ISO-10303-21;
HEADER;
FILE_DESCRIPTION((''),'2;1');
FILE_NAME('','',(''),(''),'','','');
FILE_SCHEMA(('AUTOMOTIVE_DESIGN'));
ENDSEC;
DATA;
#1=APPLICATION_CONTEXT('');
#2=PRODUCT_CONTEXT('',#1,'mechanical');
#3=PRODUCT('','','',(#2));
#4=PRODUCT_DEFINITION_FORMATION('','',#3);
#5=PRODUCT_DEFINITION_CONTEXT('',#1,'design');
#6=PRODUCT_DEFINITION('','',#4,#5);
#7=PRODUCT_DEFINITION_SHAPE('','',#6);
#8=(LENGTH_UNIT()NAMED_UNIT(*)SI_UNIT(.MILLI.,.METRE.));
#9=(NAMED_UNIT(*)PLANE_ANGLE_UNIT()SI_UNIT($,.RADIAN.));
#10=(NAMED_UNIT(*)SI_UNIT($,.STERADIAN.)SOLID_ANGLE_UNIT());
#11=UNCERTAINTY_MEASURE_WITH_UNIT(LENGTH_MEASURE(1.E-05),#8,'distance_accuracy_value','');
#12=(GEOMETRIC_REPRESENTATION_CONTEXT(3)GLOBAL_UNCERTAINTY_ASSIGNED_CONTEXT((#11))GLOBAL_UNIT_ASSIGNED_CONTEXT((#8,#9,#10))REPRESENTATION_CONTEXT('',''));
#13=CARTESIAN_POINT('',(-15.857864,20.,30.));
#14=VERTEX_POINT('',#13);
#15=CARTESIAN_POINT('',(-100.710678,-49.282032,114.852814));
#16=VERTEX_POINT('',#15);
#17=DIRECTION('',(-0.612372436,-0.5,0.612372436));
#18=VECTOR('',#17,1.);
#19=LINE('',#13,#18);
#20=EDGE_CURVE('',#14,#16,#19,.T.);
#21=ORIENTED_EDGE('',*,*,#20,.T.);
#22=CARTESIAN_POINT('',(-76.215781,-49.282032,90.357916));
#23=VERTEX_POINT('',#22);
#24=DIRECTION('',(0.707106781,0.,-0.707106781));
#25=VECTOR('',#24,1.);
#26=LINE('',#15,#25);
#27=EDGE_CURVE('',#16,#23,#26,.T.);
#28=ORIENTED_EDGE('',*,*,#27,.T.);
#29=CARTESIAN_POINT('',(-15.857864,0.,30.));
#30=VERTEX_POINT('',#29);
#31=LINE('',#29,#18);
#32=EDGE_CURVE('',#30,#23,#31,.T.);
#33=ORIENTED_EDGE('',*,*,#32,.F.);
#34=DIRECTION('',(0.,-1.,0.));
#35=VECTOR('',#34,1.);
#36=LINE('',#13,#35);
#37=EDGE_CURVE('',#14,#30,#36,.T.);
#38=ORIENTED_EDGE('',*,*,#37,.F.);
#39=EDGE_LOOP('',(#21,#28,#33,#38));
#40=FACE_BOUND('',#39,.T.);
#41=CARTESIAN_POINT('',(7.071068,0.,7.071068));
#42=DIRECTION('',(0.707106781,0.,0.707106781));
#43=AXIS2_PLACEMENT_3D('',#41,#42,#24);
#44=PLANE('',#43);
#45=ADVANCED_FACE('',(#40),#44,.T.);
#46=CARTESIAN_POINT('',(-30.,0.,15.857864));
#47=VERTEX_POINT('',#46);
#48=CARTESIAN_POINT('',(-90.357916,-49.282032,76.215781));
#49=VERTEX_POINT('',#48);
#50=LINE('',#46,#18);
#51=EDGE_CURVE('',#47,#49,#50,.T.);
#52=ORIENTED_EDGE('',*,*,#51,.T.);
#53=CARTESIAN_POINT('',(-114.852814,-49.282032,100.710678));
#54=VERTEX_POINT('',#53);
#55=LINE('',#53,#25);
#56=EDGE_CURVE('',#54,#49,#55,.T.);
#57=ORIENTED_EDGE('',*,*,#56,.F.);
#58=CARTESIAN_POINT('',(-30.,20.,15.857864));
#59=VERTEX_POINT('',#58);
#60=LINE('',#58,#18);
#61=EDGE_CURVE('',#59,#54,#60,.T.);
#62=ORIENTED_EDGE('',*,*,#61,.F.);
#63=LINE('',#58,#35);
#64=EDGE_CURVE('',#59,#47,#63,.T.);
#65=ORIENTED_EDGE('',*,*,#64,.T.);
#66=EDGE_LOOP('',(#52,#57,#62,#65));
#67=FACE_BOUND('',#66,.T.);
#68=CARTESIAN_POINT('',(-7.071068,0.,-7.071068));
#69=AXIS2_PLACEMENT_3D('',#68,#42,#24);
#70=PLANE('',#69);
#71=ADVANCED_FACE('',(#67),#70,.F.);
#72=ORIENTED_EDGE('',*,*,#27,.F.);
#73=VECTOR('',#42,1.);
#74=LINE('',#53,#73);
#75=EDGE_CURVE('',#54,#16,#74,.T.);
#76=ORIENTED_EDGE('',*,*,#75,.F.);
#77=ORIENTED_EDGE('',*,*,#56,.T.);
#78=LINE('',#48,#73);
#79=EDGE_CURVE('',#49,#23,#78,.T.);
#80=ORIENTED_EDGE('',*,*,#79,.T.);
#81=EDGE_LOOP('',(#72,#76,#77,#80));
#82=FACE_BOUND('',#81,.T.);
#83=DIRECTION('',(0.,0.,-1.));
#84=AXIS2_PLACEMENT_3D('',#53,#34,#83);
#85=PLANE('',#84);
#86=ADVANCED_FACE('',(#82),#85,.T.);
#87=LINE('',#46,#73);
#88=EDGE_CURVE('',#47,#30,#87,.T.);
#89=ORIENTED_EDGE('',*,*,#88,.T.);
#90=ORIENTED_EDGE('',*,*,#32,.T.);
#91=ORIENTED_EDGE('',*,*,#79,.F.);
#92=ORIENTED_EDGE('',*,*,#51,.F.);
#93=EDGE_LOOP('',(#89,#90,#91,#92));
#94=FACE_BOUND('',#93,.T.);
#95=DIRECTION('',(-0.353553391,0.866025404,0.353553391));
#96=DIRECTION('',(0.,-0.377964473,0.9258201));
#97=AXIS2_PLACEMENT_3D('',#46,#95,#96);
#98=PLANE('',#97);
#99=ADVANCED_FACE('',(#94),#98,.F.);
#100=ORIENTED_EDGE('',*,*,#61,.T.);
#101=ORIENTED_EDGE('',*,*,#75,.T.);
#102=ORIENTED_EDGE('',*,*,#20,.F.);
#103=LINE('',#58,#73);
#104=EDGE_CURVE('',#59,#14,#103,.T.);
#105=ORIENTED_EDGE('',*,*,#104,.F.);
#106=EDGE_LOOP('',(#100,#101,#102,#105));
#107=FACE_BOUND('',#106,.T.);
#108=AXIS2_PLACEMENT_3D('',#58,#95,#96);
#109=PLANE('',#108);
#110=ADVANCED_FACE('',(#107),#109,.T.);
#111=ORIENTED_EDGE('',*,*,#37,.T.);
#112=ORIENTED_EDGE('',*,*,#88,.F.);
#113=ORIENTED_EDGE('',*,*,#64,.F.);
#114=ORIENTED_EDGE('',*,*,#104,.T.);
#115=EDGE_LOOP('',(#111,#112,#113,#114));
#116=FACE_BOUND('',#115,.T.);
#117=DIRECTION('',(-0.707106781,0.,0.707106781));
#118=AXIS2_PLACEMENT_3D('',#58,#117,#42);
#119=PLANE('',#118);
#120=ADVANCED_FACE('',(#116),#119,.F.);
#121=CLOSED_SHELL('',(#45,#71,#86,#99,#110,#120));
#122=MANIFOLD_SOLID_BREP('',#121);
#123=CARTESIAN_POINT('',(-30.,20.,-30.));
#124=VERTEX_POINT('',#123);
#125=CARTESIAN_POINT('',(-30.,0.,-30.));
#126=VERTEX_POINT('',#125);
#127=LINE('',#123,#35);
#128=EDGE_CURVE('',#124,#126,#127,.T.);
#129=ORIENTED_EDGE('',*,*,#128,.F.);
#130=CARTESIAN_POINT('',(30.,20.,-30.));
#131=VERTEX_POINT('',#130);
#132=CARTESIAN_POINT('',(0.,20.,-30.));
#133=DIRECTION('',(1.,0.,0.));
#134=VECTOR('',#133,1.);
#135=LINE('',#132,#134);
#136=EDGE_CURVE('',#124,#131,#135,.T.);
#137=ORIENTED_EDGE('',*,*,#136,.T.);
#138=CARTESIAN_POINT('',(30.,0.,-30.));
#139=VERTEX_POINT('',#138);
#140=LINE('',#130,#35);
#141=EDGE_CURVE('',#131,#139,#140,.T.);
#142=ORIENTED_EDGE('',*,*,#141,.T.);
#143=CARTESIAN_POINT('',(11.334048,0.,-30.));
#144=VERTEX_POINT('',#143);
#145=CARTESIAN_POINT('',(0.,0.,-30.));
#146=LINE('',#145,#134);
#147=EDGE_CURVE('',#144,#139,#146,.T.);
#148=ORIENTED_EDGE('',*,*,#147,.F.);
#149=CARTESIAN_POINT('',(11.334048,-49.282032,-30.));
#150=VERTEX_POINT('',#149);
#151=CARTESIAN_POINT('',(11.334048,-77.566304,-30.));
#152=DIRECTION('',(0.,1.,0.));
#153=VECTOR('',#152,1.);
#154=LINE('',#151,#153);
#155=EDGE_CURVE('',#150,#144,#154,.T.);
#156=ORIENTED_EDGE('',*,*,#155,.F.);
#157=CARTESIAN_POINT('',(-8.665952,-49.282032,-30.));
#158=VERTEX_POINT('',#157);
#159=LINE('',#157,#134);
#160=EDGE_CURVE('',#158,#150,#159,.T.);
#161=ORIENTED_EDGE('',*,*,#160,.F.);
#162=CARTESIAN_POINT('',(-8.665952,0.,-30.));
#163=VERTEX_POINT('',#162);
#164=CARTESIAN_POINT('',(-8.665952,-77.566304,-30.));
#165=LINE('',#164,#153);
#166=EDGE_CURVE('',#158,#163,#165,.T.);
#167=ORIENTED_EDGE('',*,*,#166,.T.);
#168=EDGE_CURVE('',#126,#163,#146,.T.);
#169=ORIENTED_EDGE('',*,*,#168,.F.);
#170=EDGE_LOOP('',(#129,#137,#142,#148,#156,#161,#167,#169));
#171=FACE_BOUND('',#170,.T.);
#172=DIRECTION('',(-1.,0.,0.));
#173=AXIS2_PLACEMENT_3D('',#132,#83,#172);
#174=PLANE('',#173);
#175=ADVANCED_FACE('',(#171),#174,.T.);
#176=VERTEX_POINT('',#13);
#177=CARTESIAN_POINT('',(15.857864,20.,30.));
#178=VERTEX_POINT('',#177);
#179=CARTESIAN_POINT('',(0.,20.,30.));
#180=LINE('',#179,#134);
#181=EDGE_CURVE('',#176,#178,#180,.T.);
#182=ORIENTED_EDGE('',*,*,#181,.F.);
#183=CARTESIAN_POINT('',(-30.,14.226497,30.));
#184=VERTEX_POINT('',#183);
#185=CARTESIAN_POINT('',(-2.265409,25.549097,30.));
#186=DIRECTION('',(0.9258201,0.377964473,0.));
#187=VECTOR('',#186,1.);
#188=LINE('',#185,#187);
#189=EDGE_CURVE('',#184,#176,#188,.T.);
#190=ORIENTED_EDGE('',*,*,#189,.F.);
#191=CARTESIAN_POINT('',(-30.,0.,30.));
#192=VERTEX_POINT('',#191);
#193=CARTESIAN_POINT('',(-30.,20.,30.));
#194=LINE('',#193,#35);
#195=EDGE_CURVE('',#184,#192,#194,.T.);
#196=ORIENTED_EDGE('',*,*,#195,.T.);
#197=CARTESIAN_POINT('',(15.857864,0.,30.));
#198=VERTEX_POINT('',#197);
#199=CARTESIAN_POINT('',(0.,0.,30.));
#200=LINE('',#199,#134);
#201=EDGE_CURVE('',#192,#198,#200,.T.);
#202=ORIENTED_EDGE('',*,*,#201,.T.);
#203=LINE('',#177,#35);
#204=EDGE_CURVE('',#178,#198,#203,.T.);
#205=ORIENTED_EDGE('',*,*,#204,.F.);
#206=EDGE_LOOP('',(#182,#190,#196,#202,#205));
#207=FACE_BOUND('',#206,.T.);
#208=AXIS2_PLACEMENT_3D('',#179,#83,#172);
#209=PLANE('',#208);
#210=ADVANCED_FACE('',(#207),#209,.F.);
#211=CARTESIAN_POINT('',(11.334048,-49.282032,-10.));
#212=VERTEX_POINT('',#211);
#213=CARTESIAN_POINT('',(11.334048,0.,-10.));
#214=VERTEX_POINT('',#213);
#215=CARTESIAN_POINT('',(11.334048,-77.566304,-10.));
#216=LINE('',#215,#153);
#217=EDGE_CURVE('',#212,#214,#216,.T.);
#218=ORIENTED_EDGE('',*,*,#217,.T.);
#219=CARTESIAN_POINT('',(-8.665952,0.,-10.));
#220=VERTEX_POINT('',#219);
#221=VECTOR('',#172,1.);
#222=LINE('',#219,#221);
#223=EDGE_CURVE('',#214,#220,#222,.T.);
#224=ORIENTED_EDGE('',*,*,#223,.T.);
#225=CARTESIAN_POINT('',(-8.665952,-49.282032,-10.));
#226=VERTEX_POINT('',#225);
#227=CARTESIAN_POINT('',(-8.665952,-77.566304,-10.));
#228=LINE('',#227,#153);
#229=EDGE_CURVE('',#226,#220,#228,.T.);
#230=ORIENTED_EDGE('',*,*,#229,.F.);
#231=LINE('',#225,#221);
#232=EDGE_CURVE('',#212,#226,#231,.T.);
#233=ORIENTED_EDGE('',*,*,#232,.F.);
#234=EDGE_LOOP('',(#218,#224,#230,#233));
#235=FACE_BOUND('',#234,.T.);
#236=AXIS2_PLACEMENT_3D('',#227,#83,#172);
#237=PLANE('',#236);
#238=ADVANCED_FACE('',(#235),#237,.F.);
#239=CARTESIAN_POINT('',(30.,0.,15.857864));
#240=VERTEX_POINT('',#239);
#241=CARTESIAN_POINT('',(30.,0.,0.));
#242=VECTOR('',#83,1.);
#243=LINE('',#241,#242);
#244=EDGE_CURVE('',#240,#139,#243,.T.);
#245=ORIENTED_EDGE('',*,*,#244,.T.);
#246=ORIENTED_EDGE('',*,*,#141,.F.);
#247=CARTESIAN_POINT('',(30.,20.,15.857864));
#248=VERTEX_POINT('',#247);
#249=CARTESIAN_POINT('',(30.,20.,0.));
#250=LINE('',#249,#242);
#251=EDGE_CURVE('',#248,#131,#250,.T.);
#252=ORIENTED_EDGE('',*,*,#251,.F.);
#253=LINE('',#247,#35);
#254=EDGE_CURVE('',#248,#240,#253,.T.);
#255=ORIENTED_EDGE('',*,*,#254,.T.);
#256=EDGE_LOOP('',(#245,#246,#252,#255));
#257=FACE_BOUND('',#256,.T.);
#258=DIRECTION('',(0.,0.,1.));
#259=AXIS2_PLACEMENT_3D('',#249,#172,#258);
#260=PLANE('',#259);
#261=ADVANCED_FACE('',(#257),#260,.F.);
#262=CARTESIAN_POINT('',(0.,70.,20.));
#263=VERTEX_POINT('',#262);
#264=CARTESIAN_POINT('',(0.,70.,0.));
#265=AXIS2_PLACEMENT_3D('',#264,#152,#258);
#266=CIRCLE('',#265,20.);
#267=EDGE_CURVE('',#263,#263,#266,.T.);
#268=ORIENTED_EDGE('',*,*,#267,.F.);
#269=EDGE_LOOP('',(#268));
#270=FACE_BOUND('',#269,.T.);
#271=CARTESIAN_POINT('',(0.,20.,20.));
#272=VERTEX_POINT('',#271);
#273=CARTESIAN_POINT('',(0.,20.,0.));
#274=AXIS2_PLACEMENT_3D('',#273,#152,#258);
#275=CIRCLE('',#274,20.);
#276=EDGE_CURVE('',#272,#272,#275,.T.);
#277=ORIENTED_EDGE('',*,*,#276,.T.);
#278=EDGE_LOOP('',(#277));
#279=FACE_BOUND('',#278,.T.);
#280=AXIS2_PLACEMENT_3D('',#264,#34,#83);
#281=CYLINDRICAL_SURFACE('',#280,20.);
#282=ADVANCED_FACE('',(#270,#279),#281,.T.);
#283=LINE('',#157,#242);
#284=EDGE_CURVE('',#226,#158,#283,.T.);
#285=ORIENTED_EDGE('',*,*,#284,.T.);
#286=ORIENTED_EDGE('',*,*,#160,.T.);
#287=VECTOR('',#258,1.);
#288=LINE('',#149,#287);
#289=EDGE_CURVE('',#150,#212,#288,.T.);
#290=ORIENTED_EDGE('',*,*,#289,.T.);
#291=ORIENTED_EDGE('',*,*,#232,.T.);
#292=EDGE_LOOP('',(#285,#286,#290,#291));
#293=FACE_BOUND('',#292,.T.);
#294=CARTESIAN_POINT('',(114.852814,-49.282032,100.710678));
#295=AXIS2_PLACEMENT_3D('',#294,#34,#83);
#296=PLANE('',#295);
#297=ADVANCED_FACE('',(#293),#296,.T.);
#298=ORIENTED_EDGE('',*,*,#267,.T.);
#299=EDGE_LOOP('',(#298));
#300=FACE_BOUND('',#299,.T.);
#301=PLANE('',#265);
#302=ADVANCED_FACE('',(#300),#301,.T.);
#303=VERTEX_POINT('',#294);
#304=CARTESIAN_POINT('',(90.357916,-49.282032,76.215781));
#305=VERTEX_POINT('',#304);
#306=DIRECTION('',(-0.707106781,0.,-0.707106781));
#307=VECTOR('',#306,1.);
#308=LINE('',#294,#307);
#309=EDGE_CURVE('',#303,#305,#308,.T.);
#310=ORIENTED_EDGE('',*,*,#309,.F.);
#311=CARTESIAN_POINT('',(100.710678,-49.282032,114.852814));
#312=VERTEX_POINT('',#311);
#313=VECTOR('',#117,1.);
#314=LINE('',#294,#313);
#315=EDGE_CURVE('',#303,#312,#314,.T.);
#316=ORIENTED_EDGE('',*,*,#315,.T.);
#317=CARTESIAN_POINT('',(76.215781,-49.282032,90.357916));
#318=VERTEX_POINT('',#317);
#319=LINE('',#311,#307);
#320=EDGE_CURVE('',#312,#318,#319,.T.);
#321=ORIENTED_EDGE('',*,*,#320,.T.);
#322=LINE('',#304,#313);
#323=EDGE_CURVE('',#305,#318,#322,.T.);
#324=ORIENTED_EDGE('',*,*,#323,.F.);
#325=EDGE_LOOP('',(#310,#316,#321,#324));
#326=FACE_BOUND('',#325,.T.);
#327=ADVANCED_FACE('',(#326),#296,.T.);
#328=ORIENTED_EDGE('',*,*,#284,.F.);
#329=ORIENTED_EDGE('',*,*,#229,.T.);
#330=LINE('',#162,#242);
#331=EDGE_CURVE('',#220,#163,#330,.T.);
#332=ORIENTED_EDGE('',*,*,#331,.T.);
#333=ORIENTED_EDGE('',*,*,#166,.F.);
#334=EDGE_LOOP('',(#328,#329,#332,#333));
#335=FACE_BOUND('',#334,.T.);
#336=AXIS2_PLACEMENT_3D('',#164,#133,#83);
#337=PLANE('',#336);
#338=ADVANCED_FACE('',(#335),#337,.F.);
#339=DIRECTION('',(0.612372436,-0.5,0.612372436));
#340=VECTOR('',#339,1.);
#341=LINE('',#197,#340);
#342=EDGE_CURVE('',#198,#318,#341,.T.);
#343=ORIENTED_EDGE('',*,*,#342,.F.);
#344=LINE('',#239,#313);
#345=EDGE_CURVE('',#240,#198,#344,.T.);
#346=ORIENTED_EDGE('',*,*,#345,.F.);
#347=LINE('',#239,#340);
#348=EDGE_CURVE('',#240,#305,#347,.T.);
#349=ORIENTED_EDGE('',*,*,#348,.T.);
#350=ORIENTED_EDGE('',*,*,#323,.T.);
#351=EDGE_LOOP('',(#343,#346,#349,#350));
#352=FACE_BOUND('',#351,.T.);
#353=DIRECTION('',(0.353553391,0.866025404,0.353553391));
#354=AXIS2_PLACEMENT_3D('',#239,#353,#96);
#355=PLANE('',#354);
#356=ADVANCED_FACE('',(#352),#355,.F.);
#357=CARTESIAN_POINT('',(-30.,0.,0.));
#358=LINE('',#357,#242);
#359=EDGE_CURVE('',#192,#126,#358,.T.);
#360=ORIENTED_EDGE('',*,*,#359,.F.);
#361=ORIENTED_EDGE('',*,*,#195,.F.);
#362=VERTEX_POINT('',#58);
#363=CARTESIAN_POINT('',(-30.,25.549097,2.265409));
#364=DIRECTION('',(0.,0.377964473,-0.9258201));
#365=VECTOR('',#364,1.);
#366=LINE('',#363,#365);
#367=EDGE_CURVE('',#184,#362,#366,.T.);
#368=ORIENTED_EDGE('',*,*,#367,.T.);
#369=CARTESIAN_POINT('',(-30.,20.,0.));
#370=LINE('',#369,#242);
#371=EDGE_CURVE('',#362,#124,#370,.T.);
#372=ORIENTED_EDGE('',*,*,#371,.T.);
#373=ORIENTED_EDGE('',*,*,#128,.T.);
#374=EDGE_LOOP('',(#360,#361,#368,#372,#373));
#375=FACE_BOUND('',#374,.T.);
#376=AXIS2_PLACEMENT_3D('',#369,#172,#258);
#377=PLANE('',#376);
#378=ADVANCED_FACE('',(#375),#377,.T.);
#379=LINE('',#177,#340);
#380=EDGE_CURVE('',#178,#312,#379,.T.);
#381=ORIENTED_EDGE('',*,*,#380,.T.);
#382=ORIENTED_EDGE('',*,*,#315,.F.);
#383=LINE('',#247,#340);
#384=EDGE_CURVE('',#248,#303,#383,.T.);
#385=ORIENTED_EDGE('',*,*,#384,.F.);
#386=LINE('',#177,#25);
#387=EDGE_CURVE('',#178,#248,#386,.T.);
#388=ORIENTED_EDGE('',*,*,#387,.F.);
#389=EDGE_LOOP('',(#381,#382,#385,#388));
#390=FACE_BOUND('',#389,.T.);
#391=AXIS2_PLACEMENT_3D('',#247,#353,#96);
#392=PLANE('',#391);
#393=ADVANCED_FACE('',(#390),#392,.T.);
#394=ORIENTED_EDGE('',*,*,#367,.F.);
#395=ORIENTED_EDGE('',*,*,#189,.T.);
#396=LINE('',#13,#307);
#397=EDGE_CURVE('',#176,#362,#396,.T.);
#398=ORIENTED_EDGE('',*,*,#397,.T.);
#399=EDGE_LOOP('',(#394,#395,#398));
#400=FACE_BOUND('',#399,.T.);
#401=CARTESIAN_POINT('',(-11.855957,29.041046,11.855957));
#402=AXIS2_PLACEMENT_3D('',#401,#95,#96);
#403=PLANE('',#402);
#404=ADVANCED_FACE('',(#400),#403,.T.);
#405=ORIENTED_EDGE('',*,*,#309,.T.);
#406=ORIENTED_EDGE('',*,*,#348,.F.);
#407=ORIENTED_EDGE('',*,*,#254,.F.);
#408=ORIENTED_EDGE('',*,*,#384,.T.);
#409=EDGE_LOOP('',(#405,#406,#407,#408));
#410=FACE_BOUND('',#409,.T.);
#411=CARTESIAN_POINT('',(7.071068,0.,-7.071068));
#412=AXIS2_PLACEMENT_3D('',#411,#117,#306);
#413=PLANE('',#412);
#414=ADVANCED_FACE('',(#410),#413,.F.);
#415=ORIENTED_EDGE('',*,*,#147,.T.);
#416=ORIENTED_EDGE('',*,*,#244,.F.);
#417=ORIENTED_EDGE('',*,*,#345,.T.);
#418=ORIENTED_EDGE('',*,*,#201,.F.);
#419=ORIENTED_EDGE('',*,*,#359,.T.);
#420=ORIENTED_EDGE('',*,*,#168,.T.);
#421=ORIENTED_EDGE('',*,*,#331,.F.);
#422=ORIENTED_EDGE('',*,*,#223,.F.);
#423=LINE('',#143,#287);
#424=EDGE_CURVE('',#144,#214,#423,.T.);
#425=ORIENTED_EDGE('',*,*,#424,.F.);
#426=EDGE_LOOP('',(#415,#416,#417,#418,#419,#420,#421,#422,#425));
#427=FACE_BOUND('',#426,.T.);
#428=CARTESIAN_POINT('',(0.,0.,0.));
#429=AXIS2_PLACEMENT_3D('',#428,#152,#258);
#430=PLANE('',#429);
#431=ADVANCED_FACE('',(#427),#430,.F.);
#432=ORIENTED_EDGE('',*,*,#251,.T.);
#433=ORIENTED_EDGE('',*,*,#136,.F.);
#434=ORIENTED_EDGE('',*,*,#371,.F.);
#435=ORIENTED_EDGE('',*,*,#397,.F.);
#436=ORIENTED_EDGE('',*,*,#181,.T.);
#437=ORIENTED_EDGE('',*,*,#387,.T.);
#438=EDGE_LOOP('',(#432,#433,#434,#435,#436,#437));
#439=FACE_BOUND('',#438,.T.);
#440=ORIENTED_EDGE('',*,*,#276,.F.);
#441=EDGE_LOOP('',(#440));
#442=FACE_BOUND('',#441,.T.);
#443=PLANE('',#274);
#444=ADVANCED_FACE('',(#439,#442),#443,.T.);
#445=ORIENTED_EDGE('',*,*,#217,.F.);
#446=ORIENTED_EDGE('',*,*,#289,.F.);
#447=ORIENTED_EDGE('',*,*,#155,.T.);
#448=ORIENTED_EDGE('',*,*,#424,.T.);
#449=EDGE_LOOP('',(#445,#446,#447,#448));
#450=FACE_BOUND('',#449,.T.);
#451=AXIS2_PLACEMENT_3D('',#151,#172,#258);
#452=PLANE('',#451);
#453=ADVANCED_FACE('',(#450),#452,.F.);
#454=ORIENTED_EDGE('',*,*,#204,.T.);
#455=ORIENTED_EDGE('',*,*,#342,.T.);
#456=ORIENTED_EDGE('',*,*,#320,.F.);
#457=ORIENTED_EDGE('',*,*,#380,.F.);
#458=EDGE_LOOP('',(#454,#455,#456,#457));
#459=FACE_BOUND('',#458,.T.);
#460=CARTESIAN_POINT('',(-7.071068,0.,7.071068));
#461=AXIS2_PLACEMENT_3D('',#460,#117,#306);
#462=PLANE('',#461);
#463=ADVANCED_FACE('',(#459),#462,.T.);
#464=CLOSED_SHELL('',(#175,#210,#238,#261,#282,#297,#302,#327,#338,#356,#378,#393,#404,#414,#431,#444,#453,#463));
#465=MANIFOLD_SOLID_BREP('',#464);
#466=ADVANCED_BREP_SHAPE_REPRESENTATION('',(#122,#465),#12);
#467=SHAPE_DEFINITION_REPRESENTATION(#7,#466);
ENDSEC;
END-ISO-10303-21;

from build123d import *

# Parameters (mm, degrees)
SKETCH2_W           = 60
SKETCH2_H           = 60
SKETCH2_R           = 20
BOSS_EXTRUDE3_DEPTH = 20
BOSS_EXTRUDE5_START = 20
SKETCH2_4_R         = 20
BOSS_EXTRUDE5_DEPTH = 50
BOSS_EXTRUDE6_DEPTH = 10
CUT_EXTRUDE2_DEPTH  = 10
CUT_EXTRUDE3_DEPTH  = 10
SKETCH13_W          = 20
SKETCH13_H          = 20
BOSS_EXTRUDE8_DEPTH = 49.282032303


with BuildPart() as part:
    # Sketch2 → Boss-Extrude3 (new body)
    # profile 1 of 2: a face of its own
    with BuildSketch(Plane(origin=(0, 0, 0), x_dir=(1, 0, 0), z_dir=(0, 1, 0))):
        Rectangle(SKETCH2_W, SKETCH2_H)
        Circle(SKETCH2_R, mode=Mode.SUBTRACT)
    # profile 2 of 2: a face of its own
    with BuildSketch(Plane(origin=(0, 0, 0), x_dir=(1, 0, 0), z_dir=(0, 1, 0))):
        Circle(SKETCH2_R)
    extrude(amount=BOSS_EXTRUDE3_DEPTH)

    # Sketch2<4> → Boss-Extrude5 (add)
    with BuildSketch(Plane(origin=(0, 0, 0), x_dir=(1, 0, 0), z_dir=(0, 1, 0)).offset(BOSS_EXTRUDE5_START)):
        with Locations(Location((0, 0, 0), (0, 0, 270))):
            Circle(SKETCH2_4_R)
    extrude(amount=BOSS_EXTRUDE5_DEPTH)


with BuildPart() as body_2:
    # Sketch5 → Boss-Extrude6 (new, symmetric)
    with BuildSketch(Plane(origin=(0, 0, 0), x_dir=(0.7071067811865472, 0, -0.7071067811865478), z_dir=(0.7071067811865478, 0, 0.7071067811865472))):
        Polygon((-32.426406871, 20), (-152.426406871, -49.282032303), (-117.78539072, -49.282032303), (-32.426406871, 0), align=None)
    boss_extrude6 = extrude(amount=BOSS_EXTRUDE6_DEPTH, both=True)


with BuildPart() as part_1:
    add(part.part)

    # Mirror3: Boss-Extrude6 across plane
    add(boss_extrude6.mirror(Plane(origin=(0, 0, 0), x_dir=(0, 0, 1), z_dir=(1, 0, 0))))

    # Sketch11 → Cut-Extrude2 (cut)
    with BuildSketch(Plane(origin=(11.855957404, 29.041046052, 11.855957404), x_dir=(0.9259415151999266, -0.2703581015304675, -0.2637021186227093), z_dir=(0.3535533905932722, 0.8660254037844398, 0.3535533905932724))):
        Polygon((1.365229379, -20.617909778), (18.189330993, -9.803585716), (18.189330993, -28.29757562), align=None)
    extrude(amount=CUT_EXTRUDE2_DEPTH, mode=Mode.SUBTRACT)

    # Sketch12 → Cut-Extrude3 (cut)
    with BuildSketch(Plane(origin=(-11.855957404, 29.041046052, 11.855957404), x_dir=(0.9259415151999266, 0.2703581015304675, 0.2637021186227093), z_dir=(-0.3535533905932722, 0.8660254037844398, 0.3535533905932724))):
        Polygon((-93.113165887, -126.364380861), (-76.289064273, -137.178704922), (-1.365229379, -20.617909778), (-18.189330993, -9.803585716), align=None)
    extrude(amount=CUT_EXTRUDE3_DEPTH, mode=Mode.SUBTRACT)

    # Sketch13 → Boss-Extrude8 (add)
    with BuildSketch(Plane.XZ):
        with Locations((1.334047935, -20)):
            Rectangle(SKETCH13_W, SKETCH13_H)
    extrude(amount=BOSS_EXTRUDE8_DEPTH)


solid = Compound([body_2.part, part_1.part])
